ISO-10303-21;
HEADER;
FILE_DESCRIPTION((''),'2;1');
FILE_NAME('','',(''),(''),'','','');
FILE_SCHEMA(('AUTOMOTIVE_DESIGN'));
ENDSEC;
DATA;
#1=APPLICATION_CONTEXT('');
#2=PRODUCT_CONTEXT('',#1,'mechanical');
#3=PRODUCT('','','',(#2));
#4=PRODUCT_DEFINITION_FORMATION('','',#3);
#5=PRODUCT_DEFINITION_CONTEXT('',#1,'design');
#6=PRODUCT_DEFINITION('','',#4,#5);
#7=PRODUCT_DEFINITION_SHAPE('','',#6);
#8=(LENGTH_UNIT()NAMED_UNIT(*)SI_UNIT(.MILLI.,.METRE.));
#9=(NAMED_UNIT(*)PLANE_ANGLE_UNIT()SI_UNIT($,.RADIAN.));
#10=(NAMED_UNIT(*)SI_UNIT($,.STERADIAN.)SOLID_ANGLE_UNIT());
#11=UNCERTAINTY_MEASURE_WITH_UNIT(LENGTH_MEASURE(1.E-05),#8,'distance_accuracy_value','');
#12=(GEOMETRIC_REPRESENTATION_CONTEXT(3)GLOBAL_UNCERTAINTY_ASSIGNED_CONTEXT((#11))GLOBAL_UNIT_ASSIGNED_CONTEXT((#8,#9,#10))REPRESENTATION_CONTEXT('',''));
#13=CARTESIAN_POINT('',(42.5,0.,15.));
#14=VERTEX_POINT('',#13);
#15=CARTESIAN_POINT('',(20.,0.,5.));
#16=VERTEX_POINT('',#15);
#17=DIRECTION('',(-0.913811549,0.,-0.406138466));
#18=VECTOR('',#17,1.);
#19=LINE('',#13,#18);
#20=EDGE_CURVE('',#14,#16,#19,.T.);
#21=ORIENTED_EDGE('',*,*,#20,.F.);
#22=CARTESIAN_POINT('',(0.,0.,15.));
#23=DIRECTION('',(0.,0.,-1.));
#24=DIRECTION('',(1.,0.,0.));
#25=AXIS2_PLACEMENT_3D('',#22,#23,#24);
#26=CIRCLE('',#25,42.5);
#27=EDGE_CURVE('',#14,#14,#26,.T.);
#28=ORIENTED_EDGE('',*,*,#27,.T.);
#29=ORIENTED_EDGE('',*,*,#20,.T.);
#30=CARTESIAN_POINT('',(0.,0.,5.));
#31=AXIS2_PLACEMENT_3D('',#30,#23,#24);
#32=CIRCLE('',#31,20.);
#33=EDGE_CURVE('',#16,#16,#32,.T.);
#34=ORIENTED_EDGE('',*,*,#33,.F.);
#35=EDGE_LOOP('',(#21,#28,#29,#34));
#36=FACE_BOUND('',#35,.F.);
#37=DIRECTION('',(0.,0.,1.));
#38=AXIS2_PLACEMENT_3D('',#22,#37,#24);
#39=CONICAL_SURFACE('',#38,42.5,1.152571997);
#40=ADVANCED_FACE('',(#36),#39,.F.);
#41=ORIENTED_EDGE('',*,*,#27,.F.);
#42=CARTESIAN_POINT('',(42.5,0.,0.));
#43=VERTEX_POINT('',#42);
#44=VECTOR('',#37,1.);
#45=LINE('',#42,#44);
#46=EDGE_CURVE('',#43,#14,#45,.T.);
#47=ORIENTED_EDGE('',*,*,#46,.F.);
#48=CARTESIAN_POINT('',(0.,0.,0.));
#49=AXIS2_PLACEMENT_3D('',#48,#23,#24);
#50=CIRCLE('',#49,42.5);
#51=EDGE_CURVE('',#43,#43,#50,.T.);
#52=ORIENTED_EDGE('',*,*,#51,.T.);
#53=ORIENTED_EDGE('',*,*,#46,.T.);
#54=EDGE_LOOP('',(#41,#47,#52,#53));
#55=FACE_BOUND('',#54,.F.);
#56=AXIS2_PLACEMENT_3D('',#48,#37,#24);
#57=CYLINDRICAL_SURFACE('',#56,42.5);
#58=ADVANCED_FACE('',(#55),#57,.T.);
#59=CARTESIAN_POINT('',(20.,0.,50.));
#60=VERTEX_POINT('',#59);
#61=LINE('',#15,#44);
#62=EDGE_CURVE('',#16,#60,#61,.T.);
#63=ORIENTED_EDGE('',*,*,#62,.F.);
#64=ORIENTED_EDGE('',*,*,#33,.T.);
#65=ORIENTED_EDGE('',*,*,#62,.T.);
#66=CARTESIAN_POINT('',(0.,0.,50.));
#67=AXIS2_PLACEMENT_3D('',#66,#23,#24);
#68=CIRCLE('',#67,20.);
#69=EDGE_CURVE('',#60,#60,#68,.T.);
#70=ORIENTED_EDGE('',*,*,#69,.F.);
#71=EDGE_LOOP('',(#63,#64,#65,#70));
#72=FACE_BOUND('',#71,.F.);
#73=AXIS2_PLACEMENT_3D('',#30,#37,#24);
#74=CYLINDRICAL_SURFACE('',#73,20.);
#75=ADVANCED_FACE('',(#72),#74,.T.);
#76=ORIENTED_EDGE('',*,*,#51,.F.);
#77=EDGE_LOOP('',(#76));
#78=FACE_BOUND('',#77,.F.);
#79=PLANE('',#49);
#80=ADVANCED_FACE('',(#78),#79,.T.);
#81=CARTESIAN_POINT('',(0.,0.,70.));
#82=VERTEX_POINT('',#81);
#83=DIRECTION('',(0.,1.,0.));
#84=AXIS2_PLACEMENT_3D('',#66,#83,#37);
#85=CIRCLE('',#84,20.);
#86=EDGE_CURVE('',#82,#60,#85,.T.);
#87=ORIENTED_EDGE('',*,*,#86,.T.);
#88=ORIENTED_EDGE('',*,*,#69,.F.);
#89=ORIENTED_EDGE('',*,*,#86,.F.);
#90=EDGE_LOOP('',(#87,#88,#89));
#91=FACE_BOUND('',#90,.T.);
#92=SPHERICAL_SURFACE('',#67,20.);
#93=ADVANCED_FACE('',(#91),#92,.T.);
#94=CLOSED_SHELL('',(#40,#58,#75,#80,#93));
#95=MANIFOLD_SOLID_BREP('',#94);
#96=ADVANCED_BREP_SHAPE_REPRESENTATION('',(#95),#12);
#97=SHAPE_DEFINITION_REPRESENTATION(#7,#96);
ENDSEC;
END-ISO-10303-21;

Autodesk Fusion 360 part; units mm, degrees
sketch "Sketch1" plane through (0, 0, 0) normal (0, 1, 0) x (1, 0, 0) in component "Pusher"
  line L0 (0, 0) -> (42.5, 0)
  line L1 (42.5, 0) -> (42.5, -15)
  line L2 (42.5, -15) -> (20, -5)
  line L3 (20, -5) -> (20, -50)
  arc A0 (0, -70) -> (20, -50) centre (0, -50) ccw
  line L4 (0, -70) -> (0, 0)
  dimension "d1" = 42.5
  dimension "d2" = 15
  dimension "d3" = 5
  dimension "d4" = 20
  dimension "d5" = 50
  dimension "d6" = 20
revolve "Revolve1" add sketch "Sketch1" angle 360 about axis through (0, 0, 70) along (0, 0, -1) in component "Pusher"
component "Pusher" placed x (1, 0, 0) y (0, 1, 0) z (0, 0, 1) at (0, 0, 0)
equation "d1 = ( 85 / 2 ) * 1 mm"
equation "d6 = d4"
